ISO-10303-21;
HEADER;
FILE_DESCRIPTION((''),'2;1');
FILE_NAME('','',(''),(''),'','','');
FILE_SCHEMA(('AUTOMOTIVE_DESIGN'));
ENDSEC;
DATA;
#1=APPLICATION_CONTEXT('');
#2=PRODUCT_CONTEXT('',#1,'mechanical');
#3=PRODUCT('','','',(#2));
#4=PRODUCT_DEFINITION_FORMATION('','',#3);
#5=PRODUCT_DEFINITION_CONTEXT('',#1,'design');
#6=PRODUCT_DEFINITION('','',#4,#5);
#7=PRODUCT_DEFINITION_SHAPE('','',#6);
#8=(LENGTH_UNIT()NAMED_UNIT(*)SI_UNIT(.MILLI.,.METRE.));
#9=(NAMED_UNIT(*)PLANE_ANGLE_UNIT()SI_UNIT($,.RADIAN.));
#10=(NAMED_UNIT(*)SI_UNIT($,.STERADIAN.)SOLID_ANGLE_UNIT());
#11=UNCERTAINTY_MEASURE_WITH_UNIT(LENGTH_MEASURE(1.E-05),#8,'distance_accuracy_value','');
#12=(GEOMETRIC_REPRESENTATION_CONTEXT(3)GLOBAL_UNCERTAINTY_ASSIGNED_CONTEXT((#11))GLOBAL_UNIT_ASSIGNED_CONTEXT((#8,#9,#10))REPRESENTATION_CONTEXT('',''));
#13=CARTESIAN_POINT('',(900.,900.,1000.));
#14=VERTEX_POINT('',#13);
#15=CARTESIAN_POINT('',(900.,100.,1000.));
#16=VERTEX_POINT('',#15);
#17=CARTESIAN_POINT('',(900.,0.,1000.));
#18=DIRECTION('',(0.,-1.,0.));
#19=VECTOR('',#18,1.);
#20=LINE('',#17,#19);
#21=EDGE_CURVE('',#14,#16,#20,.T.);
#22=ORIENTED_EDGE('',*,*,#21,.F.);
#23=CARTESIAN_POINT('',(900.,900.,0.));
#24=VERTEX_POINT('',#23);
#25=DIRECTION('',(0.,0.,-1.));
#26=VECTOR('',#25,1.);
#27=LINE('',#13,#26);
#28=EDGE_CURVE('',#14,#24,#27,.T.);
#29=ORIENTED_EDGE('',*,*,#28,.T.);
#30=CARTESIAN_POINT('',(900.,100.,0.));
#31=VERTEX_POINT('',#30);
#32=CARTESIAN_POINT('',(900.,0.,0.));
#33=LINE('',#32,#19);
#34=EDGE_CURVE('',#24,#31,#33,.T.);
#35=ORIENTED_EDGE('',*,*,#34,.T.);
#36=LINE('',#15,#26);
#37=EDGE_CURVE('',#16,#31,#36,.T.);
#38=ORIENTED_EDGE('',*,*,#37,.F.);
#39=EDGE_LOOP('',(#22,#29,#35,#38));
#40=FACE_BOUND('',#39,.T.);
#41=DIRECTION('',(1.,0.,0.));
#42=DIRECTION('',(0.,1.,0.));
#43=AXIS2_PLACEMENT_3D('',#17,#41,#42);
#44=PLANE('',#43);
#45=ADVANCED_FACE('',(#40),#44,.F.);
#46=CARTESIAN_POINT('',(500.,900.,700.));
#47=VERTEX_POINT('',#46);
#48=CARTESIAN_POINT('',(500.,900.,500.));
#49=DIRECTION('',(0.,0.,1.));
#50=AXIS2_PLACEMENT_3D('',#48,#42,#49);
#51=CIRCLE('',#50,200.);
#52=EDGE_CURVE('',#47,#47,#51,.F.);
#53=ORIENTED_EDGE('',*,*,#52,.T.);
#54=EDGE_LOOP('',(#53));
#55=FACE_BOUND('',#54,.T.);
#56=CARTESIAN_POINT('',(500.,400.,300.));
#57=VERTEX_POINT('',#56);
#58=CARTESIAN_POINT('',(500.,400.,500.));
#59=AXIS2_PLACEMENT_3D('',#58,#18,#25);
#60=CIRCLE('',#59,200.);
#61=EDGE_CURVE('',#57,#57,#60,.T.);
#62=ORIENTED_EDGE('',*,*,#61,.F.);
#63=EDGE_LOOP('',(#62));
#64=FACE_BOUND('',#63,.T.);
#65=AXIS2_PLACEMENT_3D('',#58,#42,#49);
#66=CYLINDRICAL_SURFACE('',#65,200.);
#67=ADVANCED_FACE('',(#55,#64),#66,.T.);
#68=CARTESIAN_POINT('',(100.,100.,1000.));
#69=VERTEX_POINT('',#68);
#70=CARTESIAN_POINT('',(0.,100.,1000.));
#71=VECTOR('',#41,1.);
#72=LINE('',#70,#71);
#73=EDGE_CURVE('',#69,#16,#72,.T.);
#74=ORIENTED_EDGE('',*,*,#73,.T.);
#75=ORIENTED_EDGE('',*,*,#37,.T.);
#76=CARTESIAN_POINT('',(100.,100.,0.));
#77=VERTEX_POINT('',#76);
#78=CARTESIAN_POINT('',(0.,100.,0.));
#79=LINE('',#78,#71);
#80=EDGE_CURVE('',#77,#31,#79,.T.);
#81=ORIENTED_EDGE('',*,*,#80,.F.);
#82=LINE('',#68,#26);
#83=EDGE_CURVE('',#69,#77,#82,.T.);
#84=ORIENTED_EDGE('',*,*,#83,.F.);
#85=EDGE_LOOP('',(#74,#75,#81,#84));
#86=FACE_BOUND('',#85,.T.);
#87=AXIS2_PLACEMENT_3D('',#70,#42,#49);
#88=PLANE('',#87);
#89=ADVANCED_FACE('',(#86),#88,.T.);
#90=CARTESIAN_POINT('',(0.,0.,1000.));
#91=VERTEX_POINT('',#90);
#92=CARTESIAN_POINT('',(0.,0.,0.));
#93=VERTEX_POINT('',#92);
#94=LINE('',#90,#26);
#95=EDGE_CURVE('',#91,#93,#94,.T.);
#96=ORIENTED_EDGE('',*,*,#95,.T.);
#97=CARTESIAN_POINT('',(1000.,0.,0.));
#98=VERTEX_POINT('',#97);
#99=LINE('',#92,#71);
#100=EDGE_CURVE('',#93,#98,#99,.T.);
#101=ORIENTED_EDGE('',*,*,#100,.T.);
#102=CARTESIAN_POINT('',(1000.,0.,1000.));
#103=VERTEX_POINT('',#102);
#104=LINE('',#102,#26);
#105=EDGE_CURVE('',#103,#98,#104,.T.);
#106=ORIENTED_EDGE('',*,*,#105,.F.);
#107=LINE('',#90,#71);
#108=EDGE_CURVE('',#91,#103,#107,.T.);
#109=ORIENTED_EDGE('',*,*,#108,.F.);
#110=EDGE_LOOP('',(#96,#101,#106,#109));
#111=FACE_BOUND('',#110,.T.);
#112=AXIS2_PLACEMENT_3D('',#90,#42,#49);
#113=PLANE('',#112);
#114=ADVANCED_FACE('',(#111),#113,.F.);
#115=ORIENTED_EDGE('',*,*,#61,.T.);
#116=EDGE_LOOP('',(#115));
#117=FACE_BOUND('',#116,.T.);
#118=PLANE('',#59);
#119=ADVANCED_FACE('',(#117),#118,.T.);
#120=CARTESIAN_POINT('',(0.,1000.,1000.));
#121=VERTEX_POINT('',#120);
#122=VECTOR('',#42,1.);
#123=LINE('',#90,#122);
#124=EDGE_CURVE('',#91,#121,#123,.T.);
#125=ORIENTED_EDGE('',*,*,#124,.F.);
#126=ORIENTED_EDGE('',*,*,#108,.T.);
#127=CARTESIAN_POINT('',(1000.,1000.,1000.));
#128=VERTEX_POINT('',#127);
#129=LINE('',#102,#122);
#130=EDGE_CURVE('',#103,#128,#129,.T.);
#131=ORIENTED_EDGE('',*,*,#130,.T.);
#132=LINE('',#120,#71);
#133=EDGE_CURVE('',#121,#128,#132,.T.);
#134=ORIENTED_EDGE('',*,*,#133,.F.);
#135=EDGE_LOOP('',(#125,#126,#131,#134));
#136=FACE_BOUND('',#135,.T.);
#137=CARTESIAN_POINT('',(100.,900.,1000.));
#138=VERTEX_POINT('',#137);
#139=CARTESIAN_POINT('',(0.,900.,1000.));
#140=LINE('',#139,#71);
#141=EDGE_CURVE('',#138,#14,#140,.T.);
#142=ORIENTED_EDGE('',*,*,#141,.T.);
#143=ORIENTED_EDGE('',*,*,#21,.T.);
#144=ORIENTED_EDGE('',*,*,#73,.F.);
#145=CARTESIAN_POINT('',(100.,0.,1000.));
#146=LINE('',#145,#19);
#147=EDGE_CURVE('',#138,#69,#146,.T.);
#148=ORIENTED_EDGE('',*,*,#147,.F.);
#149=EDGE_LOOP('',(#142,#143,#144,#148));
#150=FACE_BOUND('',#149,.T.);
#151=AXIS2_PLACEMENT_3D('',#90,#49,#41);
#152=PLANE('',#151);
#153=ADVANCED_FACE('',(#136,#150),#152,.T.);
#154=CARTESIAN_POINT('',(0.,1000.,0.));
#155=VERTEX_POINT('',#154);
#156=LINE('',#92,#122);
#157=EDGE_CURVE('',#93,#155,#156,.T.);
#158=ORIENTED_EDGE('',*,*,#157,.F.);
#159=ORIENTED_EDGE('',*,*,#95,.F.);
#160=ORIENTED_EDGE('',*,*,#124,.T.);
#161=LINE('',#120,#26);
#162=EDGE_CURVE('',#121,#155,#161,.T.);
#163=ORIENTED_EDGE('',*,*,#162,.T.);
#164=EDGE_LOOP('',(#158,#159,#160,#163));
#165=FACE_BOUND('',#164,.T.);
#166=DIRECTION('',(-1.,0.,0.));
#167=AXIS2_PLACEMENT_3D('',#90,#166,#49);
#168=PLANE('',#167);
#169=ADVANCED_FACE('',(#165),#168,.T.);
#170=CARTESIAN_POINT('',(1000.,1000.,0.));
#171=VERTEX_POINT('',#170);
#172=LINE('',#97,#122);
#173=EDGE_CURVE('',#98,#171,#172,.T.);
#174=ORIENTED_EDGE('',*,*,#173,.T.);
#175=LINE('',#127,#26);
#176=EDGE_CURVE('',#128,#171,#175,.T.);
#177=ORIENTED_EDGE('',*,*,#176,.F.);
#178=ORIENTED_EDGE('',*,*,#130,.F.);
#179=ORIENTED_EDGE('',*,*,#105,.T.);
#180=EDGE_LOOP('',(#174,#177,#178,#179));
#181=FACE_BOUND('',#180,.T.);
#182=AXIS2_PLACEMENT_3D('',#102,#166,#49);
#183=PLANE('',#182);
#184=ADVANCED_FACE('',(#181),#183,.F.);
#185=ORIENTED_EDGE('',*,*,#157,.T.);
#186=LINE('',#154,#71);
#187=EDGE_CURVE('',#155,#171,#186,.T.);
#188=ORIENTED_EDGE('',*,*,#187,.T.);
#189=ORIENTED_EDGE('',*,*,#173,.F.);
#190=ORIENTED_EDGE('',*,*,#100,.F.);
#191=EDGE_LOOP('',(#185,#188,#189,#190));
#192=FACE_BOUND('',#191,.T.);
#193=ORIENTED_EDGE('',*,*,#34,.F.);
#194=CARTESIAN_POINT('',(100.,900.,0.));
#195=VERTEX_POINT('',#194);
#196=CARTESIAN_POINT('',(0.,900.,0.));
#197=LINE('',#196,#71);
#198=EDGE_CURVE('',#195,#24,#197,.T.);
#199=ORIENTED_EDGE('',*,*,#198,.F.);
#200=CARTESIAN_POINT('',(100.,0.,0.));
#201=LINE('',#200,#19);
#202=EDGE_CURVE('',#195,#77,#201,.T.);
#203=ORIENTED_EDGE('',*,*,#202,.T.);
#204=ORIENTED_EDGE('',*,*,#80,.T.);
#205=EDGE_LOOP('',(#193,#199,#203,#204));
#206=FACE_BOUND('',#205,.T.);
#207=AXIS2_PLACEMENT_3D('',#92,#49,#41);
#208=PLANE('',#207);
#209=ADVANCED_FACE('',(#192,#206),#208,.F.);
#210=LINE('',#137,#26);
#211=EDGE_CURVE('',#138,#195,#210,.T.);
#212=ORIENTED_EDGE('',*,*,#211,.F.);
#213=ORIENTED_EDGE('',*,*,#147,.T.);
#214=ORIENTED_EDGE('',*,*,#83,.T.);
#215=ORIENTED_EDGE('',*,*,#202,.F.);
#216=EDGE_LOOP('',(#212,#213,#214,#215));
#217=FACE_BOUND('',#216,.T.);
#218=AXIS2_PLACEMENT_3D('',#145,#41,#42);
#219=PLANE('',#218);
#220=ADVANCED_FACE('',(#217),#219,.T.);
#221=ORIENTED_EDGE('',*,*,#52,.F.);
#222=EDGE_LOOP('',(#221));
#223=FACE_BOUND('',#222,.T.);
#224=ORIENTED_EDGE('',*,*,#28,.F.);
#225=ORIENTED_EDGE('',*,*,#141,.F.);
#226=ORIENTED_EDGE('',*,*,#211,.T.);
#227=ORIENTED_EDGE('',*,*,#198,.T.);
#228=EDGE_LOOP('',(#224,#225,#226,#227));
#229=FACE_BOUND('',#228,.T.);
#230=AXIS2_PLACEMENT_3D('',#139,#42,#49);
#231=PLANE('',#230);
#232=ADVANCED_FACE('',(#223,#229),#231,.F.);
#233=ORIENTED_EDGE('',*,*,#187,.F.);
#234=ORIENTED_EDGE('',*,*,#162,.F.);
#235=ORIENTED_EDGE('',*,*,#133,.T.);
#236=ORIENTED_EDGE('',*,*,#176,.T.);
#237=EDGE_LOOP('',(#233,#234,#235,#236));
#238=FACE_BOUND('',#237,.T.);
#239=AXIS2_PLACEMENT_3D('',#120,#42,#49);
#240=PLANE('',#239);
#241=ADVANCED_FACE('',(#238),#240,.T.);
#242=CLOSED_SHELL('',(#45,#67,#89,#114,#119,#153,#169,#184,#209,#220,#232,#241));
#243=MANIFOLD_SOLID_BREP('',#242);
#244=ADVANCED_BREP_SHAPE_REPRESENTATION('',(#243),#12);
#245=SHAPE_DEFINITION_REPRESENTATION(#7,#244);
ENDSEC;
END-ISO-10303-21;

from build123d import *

# Parameters (mm, degrees)
SKETCH1_W           = 1000
SKETCH1_H           = 1000
SKETCH1_W_2         = 800
SKETCH1_H_2         = 800
BOSS_EXTRUDE1_DEPTH = 1000
SKETCH2_R           = 200
BOSS_EXTRUDE2_DEPTH = 500


with BuildPart() as part:
    # Sketch1 → Boss-Extrude1 (new body)
    with BuildSketch(Plane.XY):
        with Locations((500, 500)):
            Rectangle(SKETCH1_W, SKETCH1_H)
        with Locations((500, 500)):
            Rectangle(SKETCH1_W_2, SKETCH1_H_2, mode=Mode.SUBTRACT)
    extrude(amount=BOSS_EXTRUDE1_DEPTH)

    # Sketch2 → Boss-Extrude2 (add)
    with BuildSketch(Plane.XZ.offset(-900)):
        with Locations(Location((500, 500, 0), (0, 0, 90))):
            Circle(SKETCH2_R)
    extrude(amount=BOSS_EXTRUDE2_DEPTH)


solid = part.part
